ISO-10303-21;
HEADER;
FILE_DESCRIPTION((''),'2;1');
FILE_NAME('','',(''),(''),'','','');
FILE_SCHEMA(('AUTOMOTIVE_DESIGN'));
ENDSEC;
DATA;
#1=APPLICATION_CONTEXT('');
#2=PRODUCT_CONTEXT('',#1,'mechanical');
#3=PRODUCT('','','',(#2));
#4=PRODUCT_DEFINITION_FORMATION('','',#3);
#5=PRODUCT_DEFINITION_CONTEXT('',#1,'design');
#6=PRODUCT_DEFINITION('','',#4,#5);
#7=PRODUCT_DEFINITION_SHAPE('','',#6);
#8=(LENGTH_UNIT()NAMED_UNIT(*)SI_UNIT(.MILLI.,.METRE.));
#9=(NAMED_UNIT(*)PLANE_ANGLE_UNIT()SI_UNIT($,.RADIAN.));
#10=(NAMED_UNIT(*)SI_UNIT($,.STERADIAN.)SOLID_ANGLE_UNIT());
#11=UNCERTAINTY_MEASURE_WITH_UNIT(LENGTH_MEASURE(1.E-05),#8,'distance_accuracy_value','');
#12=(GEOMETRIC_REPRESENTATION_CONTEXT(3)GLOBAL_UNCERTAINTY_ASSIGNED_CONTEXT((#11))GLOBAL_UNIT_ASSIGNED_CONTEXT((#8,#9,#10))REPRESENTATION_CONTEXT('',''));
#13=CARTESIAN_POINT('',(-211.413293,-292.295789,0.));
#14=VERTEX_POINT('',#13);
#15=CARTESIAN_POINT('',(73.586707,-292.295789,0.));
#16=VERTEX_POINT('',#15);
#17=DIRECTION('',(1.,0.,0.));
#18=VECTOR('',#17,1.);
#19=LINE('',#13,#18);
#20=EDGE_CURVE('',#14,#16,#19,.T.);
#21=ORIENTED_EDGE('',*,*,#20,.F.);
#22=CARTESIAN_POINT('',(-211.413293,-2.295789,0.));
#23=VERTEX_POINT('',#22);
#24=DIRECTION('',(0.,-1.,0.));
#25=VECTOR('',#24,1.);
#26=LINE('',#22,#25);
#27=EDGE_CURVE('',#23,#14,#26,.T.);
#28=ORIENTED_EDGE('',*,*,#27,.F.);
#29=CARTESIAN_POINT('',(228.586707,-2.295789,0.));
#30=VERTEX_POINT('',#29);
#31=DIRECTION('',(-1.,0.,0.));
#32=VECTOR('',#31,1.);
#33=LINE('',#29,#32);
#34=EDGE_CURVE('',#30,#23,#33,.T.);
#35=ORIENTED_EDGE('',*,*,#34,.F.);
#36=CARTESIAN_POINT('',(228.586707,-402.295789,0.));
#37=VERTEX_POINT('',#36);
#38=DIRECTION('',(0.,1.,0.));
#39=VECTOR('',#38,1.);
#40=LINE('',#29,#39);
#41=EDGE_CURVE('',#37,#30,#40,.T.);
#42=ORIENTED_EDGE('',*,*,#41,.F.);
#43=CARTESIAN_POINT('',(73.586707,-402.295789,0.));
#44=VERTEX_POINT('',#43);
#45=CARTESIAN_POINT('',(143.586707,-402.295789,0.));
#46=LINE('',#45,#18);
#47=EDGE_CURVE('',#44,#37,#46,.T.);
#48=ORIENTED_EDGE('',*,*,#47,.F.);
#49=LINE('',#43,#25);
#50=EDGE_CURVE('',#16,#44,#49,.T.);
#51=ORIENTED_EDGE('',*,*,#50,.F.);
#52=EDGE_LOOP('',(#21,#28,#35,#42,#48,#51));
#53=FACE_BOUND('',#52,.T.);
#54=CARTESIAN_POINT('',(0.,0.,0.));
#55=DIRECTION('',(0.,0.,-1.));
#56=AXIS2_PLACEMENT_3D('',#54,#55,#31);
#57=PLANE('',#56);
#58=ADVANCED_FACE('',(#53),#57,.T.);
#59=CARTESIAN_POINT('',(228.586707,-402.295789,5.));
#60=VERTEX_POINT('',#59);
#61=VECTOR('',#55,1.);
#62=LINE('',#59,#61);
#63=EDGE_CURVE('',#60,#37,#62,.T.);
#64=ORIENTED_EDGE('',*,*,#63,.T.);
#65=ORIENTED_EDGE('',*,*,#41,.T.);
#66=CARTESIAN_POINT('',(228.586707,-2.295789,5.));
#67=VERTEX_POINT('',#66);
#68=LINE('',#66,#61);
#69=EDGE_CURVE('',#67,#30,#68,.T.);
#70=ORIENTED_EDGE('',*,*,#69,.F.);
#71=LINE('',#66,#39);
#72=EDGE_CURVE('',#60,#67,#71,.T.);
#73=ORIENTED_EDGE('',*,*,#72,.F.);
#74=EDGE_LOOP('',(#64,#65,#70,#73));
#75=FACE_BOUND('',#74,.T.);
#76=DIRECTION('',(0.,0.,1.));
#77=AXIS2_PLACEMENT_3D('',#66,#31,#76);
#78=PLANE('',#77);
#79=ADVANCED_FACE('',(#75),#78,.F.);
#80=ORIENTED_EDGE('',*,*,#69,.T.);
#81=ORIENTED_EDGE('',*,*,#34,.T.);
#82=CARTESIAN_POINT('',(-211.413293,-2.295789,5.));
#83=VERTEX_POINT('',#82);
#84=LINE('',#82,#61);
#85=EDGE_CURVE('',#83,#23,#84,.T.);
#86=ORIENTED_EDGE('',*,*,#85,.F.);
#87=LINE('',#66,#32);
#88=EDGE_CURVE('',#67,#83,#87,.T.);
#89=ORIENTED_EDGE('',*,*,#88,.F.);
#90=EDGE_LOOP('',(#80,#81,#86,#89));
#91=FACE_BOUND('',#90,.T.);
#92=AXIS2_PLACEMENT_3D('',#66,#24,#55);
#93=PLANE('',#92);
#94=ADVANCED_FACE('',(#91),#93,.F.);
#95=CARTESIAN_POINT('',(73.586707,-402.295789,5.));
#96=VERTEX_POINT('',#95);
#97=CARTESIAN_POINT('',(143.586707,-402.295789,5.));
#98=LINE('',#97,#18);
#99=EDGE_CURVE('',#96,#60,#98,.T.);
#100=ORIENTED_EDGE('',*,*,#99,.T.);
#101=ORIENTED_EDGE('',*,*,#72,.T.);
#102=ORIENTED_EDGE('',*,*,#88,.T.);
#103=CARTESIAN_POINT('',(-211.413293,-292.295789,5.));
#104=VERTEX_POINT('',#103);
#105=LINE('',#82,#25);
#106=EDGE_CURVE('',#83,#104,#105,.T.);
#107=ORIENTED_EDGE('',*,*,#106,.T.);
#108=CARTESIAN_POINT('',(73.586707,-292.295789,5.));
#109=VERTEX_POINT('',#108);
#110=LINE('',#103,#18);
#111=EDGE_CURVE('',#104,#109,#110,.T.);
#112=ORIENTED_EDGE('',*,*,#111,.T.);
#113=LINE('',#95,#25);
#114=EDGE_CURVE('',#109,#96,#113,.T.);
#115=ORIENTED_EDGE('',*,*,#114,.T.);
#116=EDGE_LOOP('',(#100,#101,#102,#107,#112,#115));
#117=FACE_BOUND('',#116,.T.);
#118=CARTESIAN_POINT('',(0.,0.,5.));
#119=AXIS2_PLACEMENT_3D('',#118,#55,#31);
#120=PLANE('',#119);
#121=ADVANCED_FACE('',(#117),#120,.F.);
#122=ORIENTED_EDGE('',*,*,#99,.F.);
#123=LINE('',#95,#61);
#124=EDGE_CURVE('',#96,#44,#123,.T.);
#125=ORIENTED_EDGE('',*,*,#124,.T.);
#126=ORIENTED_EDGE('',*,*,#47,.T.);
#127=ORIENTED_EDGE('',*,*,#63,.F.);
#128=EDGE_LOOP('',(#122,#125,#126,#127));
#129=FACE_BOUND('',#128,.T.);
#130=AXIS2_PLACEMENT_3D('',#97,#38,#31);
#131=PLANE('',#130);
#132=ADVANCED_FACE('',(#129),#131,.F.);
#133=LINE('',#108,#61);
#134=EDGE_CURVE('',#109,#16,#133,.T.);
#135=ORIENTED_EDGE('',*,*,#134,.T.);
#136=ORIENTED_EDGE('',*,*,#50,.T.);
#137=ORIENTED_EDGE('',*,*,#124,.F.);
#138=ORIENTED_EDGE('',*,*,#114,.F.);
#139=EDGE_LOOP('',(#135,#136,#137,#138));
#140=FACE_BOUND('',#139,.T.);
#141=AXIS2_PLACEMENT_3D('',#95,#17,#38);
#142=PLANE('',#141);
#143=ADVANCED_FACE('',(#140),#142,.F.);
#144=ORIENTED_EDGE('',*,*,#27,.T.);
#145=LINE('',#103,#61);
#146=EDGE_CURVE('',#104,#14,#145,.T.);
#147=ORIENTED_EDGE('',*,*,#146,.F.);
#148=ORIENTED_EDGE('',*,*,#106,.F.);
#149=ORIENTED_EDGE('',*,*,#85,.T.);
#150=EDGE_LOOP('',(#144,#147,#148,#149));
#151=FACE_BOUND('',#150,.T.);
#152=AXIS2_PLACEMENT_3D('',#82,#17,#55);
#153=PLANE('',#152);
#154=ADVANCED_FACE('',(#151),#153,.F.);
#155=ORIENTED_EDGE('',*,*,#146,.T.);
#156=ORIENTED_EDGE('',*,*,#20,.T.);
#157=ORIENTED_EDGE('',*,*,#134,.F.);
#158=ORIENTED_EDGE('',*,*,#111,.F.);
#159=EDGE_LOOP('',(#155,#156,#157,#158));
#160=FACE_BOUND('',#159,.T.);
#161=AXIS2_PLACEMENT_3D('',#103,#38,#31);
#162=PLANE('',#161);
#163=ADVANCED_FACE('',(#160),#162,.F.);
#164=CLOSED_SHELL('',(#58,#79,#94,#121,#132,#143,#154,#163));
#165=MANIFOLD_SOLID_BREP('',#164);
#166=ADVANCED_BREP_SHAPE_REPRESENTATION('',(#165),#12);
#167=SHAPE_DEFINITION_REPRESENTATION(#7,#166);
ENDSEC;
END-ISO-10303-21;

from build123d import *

# Parameters (mm, degrees)
SALIENTE_EXTRUIR1_DEPTH = 5


with BuildPart() as part:
    # Croquis1 → Saliente-Extruir1 (new body)
    with BuildSketch(Plane(origin=(0, 0, 0), x_dir=(-1, 0, 0), z_dir=(0, 0, 1))):
        Polygon((-143.586706802, 402.295789036), (-228.586706802, 402.295789036), (-228.586706802, 2.295789036), (211.413293198, 2.295789036), (211.413293198, 292.295789036), (-73.586706802, 292.295789036), (-73.586706802, 402.295789036), align=None)
    extrude(amount=SALIENTE_EXTRUIR1_DEPTH)


solid = part.part
